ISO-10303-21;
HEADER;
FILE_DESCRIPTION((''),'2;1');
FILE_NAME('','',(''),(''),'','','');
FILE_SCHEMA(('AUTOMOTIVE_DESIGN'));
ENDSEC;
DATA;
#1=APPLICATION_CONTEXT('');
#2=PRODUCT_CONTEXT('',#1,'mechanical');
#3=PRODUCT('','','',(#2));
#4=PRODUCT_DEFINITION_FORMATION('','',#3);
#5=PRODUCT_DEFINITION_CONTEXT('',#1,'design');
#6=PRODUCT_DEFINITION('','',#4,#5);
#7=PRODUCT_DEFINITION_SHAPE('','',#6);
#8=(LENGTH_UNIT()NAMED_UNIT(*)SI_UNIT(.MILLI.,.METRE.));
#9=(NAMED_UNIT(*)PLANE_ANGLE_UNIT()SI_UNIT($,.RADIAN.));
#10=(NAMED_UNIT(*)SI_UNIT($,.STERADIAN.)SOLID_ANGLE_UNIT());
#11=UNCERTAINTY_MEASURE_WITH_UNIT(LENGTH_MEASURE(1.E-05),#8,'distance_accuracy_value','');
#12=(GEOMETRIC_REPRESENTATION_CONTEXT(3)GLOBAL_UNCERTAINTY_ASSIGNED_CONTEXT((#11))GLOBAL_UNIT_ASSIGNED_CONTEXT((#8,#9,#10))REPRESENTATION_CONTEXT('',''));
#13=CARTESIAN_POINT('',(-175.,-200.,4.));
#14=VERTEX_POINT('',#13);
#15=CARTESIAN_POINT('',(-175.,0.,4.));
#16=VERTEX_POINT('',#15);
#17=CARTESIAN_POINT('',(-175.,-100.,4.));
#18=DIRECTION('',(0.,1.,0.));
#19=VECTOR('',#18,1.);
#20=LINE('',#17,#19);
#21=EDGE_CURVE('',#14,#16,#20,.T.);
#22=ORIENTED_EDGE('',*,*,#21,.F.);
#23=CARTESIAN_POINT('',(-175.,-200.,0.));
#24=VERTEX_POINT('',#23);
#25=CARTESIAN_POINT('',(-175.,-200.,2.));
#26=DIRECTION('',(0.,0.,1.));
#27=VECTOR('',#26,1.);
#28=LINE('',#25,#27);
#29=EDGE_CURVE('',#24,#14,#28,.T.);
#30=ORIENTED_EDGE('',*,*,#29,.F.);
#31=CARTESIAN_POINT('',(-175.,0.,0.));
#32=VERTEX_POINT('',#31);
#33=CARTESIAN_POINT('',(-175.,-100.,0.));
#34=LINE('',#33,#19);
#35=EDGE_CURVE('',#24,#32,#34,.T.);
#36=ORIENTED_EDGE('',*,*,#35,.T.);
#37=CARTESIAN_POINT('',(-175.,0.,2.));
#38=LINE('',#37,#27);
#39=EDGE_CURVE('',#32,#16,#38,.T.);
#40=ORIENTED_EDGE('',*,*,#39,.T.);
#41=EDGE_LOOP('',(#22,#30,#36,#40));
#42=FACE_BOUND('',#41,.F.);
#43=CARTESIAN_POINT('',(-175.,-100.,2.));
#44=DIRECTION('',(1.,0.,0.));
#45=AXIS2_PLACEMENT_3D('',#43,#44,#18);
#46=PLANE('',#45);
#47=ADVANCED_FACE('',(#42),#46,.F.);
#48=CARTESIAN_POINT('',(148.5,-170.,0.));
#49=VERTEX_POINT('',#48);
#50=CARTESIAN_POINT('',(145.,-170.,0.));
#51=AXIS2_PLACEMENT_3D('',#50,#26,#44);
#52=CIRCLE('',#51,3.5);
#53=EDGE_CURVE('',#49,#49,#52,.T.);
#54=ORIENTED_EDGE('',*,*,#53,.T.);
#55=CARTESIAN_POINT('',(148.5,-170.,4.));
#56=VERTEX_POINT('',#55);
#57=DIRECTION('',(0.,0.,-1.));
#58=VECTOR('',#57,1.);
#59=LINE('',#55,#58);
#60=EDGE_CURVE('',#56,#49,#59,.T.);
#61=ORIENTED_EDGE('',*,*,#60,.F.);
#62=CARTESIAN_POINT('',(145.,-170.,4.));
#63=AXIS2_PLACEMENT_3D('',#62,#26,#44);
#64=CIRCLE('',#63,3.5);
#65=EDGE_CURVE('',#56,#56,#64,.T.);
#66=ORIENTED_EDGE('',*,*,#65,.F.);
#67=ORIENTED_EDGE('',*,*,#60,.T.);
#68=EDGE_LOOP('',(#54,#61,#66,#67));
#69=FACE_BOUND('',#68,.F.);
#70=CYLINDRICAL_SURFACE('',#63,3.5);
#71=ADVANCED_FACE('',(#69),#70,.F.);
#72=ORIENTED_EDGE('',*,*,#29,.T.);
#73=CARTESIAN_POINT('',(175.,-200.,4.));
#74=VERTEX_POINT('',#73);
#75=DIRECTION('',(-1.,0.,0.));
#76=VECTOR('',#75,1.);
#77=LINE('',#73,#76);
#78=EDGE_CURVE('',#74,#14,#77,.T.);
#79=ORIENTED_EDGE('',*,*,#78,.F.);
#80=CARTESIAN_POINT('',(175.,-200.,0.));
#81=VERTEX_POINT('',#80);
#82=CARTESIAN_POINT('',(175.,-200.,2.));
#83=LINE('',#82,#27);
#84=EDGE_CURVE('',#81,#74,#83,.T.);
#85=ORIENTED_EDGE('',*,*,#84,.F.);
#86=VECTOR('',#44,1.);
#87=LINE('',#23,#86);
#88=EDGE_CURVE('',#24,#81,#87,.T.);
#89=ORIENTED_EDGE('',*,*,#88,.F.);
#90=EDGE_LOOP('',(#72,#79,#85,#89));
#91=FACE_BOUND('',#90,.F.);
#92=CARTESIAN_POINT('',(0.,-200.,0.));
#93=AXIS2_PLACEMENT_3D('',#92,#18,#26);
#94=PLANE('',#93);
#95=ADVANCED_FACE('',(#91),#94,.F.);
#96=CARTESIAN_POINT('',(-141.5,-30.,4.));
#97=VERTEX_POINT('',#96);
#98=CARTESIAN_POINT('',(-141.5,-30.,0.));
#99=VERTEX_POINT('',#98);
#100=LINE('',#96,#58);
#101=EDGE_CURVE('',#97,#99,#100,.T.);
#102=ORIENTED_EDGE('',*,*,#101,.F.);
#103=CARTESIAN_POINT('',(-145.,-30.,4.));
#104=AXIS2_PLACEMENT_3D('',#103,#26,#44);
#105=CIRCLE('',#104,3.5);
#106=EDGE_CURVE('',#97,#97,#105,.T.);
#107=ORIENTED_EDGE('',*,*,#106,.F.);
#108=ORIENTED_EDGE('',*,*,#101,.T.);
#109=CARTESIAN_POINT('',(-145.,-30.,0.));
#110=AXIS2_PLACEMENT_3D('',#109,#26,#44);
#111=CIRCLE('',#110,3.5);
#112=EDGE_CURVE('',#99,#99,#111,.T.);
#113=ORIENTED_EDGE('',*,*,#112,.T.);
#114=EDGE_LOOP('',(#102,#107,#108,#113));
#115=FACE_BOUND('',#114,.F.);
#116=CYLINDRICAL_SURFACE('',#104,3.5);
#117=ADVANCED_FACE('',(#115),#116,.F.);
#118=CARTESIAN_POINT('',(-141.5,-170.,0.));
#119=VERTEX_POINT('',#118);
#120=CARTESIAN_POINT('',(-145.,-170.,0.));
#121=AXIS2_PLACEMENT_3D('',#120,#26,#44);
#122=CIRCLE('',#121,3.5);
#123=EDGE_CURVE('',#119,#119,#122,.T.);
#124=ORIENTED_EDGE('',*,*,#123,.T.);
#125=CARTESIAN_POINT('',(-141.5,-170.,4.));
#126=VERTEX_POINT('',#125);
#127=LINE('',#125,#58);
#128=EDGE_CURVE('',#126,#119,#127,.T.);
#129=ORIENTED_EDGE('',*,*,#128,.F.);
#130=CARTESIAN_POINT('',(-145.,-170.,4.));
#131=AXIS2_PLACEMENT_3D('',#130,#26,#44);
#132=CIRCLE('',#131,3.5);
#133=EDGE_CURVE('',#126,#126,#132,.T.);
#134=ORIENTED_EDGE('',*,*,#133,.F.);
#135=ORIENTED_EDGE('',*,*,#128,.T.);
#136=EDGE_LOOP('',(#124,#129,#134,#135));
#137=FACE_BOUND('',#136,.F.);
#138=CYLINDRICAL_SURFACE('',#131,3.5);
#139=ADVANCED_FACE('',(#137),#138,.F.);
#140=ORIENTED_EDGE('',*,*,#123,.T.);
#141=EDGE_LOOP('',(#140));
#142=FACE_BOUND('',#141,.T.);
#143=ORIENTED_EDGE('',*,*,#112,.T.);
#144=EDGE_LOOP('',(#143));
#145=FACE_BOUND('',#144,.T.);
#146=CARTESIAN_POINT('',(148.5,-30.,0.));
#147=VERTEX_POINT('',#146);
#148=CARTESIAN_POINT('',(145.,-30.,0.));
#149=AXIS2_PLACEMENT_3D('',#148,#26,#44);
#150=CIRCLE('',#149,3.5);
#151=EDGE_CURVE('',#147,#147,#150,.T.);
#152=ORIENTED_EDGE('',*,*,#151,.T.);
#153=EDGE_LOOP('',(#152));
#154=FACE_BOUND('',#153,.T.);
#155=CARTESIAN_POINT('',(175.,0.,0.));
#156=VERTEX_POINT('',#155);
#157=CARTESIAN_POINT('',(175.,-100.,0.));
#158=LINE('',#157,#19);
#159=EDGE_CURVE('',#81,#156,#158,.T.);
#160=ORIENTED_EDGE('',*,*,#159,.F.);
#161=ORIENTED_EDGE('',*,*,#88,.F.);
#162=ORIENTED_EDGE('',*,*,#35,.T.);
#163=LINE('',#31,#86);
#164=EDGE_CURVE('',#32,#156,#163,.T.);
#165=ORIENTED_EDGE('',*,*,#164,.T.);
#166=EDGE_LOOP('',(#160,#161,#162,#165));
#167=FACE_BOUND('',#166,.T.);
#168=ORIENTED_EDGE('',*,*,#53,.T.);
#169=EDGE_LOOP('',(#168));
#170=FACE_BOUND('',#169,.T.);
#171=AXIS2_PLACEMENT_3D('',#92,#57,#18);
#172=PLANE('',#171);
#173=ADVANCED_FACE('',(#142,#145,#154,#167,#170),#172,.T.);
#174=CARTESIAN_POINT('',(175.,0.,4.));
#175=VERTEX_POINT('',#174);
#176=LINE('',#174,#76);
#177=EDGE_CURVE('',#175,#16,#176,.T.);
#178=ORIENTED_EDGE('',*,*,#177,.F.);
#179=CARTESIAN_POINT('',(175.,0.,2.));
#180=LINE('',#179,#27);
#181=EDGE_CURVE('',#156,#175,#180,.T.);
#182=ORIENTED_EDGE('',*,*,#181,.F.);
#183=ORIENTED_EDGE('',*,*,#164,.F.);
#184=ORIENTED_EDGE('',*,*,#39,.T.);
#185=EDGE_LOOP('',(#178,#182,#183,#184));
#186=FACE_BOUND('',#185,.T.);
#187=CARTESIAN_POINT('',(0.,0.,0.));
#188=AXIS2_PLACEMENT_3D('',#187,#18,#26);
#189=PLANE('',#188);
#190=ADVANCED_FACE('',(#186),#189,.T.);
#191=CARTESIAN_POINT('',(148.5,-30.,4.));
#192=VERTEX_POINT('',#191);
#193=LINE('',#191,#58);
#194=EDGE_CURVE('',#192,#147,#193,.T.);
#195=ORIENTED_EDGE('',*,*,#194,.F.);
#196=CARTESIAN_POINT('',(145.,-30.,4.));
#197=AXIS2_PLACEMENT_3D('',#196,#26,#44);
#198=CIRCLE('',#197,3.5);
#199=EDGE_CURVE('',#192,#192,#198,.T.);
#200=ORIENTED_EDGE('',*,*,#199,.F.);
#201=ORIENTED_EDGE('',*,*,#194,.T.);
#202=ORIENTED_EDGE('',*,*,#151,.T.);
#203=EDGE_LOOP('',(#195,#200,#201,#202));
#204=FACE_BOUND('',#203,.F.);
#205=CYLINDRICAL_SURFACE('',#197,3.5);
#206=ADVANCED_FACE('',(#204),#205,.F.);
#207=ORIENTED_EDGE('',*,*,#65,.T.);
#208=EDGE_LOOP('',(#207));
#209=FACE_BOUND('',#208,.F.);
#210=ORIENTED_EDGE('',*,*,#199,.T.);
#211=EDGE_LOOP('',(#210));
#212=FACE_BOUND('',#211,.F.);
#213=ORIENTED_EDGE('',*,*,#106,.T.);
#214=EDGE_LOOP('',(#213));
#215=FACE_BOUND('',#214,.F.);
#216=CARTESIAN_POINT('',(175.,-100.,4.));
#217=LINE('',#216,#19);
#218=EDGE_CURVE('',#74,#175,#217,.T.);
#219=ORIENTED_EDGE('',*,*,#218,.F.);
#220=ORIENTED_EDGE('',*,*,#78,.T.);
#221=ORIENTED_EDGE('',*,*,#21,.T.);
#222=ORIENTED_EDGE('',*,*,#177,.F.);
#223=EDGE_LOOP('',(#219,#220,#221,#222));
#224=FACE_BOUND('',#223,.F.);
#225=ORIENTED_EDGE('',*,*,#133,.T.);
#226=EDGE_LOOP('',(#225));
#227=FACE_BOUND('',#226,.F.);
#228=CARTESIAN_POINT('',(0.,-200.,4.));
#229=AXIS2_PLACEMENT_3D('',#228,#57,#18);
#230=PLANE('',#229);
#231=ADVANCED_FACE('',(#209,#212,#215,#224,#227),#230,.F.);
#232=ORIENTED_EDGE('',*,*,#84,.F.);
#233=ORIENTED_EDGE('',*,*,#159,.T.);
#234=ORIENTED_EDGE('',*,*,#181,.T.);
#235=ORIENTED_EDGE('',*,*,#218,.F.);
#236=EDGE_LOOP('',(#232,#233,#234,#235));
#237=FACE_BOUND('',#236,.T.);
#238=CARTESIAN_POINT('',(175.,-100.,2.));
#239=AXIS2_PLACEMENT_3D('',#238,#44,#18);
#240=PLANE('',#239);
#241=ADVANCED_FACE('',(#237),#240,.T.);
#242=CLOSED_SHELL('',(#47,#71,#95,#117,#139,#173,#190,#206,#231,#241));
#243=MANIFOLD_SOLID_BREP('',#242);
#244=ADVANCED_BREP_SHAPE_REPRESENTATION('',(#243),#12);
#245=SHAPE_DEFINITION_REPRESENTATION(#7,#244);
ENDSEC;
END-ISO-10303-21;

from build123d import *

# Parameters (mm, degrees)
F0_W     = 200
F0_H     = 4
F1_DEPTH = 175
F2_R     = 3.5
F3_DEPTH = 4


with BuildPart() as f1:
    # F0 (on Right) → F1 (new body, symmetric)
    with BuildSketch(Plane.YZ):
        with Locations((-100, 2)):
            Rectangle(F0_W, F0_H)
    extrude(amount=F1_DEPTH, both=True)

    # F2 (on face) → F3 (cut, through all)
    with BuildSketch(Plane.XY.offset(4)):
        with Locations((-145, -170)):
            Circle(F2_R)
        with Locations((-145, -30)):
            Circle(F2_R)
        with Locations((145, -30)):
            Circle(F2_R)
        with Locations((145, -170)):
            Circle(F2_R)
    extrude(amount=-F3_DEPTH, mode=Mode.SUBTRACT)


solid = f1.part
